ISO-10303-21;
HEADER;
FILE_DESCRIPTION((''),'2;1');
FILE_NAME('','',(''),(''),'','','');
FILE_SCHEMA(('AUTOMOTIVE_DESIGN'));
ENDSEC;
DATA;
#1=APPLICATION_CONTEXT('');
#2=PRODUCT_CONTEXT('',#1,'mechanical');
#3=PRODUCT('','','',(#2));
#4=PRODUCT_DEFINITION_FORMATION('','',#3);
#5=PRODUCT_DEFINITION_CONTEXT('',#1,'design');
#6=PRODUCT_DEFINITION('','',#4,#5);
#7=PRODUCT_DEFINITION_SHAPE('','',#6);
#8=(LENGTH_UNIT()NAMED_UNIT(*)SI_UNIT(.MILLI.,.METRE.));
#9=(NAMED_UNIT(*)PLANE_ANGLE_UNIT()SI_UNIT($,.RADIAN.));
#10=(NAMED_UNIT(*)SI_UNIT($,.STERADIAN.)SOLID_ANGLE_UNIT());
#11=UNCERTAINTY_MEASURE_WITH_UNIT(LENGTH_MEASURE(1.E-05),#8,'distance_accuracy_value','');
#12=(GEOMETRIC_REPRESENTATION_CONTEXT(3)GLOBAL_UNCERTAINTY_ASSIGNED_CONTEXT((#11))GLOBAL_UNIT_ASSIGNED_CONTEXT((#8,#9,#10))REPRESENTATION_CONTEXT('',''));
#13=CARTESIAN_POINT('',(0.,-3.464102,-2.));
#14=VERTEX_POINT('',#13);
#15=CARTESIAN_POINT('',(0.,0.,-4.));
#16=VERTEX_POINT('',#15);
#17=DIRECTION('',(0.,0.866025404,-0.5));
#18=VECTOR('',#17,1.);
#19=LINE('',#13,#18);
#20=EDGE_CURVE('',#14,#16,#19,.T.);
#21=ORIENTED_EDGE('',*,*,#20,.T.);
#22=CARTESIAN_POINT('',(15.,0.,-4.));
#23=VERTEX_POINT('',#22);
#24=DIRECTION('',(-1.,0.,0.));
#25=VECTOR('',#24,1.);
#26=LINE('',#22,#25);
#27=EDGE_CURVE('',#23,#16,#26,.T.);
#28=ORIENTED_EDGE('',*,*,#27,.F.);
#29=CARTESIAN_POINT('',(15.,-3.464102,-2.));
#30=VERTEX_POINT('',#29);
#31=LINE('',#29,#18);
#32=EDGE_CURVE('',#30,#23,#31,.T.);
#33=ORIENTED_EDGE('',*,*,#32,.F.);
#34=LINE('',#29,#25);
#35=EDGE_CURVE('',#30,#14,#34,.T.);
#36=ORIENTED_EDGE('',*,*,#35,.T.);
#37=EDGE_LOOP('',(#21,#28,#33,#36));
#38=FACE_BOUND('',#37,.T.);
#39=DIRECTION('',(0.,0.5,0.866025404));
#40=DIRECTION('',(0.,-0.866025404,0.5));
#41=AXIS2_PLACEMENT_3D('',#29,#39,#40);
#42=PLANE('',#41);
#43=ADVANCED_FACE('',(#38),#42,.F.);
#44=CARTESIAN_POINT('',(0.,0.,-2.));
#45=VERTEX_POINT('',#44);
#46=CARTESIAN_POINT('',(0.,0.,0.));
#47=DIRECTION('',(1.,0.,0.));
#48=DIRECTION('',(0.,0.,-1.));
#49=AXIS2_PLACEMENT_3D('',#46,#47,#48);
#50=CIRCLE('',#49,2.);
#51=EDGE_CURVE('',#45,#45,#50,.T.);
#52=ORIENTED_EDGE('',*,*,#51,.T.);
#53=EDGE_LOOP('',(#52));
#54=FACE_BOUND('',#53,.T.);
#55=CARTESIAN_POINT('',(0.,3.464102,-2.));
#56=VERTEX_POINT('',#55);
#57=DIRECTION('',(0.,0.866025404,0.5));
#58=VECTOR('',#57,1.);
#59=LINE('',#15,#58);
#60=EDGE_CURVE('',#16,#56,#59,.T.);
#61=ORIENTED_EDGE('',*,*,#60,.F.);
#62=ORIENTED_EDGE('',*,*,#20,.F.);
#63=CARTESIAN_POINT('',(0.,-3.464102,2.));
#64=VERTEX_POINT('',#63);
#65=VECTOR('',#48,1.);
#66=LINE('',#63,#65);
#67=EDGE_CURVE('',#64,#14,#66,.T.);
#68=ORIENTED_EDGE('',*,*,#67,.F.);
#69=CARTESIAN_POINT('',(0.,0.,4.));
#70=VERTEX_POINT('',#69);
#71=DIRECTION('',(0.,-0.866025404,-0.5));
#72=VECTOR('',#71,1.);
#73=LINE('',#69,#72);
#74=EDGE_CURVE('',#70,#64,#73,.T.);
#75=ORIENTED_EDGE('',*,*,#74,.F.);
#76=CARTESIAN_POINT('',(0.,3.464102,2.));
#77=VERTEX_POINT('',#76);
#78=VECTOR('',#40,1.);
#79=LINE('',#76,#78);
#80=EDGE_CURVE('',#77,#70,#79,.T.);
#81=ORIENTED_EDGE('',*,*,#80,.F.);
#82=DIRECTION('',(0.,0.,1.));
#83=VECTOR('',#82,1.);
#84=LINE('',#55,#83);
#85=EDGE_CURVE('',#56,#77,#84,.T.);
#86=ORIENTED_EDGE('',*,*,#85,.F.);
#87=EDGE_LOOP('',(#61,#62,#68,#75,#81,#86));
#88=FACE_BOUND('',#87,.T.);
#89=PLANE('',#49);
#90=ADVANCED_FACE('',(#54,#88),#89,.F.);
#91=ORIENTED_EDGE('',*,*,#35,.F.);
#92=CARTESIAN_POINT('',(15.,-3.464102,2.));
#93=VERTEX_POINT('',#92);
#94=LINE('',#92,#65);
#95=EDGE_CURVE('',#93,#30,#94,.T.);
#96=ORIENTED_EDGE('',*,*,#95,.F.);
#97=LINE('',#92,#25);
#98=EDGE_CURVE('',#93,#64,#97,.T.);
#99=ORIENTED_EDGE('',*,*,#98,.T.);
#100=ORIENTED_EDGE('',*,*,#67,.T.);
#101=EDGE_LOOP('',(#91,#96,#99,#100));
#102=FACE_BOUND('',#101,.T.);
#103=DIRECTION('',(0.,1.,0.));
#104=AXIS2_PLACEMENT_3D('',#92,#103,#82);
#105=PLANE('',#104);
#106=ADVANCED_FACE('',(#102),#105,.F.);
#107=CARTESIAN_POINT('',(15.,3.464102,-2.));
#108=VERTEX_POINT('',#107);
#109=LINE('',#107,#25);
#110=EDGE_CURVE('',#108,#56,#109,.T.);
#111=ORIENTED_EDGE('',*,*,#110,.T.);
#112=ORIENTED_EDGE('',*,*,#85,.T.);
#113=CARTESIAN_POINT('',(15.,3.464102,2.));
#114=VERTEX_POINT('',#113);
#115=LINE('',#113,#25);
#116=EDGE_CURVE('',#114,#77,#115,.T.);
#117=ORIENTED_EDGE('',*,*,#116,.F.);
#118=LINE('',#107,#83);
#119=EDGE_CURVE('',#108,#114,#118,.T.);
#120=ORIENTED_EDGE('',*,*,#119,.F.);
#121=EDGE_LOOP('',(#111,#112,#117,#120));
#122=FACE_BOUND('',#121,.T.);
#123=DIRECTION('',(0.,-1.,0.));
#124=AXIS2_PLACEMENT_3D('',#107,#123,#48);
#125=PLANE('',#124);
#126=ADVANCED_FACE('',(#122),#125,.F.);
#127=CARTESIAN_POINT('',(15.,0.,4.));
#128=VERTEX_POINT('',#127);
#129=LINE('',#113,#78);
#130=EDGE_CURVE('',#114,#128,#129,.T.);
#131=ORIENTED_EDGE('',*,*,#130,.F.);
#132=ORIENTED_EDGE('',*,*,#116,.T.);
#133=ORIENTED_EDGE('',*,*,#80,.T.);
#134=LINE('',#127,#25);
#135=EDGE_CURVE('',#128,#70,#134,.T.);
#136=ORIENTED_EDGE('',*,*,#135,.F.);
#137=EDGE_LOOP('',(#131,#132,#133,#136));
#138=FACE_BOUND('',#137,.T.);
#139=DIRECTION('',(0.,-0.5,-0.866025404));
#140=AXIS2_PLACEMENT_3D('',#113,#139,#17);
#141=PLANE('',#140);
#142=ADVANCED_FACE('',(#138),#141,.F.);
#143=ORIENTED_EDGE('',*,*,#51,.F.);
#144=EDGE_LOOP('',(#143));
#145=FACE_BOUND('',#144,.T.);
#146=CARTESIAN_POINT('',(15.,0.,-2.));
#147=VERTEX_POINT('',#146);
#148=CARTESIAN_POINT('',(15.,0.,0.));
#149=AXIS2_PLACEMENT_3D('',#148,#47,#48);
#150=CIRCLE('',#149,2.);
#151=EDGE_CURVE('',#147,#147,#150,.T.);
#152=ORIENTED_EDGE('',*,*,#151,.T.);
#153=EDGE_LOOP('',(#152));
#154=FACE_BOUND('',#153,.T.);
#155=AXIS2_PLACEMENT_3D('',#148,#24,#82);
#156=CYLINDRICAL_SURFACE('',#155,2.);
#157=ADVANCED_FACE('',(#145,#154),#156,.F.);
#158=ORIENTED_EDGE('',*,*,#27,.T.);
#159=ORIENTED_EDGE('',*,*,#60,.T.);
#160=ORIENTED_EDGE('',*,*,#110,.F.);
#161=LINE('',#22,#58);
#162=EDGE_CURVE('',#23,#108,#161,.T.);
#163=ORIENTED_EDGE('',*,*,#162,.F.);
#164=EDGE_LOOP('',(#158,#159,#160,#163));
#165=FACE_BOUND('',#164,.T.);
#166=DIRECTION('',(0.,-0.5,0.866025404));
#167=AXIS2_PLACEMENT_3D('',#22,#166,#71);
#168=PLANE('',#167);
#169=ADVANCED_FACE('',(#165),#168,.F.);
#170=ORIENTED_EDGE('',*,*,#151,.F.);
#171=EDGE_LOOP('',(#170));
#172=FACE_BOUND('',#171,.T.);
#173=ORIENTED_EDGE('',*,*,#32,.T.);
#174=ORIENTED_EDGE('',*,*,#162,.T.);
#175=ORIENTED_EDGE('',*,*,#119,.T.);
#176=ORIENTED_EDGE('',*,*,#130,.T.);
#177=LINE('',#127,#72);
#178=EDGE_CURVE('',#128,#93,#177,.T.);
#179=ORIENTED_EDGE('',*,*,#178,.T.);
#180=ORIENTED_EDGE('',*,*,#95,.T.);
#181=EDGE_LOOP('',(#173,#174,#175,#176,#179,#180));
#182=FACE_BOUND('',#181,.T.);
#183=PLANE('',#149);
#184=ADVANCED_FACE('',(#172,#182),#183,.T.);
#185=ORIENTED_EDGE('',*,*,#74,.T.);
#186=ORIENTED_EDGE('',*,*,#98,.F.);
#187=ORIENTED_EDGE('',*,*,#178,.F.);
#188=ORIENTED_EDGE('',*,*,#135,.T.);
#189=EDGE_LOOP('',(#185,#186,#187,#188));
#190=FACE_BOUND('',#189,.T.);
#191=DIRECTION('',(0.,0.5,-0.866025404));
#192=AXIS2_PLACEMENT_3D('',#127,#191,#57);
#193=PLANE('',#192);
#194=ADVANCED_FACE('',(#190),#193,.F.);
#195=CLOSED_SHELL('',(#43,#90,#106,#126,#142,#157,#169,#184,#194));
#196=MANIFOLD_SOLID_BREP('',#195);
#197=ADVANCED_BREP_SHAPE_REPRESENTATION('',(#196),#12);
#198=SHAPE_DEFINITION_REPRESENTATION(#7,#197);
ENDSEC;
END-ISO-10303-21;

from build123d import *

# Parameters (mm, degrees)
SKETCH_1_R      = 2
EXTRUDE_1_DEPTH = 15


with BuildPart() as part:
    # 草图1 → 凸台-拉伸1 (new body)
    with BuildSketch(Plane(origin=(0, 0, 0), x_dir=(0, 0, -1), z_dir=(1, 0, 0))):
        Polygon((-4, 0), (-2, -3.464101615), (2, -3.464101615), (4, 0), (2, 3.464101615), (-2, 3.464101615), align=None)
        Circle(SKETCH_1_R, mode=Mode.SUBTRACT)
    extrude(amount=EXTRUDE_1_DEPTH)


solid = part.part
